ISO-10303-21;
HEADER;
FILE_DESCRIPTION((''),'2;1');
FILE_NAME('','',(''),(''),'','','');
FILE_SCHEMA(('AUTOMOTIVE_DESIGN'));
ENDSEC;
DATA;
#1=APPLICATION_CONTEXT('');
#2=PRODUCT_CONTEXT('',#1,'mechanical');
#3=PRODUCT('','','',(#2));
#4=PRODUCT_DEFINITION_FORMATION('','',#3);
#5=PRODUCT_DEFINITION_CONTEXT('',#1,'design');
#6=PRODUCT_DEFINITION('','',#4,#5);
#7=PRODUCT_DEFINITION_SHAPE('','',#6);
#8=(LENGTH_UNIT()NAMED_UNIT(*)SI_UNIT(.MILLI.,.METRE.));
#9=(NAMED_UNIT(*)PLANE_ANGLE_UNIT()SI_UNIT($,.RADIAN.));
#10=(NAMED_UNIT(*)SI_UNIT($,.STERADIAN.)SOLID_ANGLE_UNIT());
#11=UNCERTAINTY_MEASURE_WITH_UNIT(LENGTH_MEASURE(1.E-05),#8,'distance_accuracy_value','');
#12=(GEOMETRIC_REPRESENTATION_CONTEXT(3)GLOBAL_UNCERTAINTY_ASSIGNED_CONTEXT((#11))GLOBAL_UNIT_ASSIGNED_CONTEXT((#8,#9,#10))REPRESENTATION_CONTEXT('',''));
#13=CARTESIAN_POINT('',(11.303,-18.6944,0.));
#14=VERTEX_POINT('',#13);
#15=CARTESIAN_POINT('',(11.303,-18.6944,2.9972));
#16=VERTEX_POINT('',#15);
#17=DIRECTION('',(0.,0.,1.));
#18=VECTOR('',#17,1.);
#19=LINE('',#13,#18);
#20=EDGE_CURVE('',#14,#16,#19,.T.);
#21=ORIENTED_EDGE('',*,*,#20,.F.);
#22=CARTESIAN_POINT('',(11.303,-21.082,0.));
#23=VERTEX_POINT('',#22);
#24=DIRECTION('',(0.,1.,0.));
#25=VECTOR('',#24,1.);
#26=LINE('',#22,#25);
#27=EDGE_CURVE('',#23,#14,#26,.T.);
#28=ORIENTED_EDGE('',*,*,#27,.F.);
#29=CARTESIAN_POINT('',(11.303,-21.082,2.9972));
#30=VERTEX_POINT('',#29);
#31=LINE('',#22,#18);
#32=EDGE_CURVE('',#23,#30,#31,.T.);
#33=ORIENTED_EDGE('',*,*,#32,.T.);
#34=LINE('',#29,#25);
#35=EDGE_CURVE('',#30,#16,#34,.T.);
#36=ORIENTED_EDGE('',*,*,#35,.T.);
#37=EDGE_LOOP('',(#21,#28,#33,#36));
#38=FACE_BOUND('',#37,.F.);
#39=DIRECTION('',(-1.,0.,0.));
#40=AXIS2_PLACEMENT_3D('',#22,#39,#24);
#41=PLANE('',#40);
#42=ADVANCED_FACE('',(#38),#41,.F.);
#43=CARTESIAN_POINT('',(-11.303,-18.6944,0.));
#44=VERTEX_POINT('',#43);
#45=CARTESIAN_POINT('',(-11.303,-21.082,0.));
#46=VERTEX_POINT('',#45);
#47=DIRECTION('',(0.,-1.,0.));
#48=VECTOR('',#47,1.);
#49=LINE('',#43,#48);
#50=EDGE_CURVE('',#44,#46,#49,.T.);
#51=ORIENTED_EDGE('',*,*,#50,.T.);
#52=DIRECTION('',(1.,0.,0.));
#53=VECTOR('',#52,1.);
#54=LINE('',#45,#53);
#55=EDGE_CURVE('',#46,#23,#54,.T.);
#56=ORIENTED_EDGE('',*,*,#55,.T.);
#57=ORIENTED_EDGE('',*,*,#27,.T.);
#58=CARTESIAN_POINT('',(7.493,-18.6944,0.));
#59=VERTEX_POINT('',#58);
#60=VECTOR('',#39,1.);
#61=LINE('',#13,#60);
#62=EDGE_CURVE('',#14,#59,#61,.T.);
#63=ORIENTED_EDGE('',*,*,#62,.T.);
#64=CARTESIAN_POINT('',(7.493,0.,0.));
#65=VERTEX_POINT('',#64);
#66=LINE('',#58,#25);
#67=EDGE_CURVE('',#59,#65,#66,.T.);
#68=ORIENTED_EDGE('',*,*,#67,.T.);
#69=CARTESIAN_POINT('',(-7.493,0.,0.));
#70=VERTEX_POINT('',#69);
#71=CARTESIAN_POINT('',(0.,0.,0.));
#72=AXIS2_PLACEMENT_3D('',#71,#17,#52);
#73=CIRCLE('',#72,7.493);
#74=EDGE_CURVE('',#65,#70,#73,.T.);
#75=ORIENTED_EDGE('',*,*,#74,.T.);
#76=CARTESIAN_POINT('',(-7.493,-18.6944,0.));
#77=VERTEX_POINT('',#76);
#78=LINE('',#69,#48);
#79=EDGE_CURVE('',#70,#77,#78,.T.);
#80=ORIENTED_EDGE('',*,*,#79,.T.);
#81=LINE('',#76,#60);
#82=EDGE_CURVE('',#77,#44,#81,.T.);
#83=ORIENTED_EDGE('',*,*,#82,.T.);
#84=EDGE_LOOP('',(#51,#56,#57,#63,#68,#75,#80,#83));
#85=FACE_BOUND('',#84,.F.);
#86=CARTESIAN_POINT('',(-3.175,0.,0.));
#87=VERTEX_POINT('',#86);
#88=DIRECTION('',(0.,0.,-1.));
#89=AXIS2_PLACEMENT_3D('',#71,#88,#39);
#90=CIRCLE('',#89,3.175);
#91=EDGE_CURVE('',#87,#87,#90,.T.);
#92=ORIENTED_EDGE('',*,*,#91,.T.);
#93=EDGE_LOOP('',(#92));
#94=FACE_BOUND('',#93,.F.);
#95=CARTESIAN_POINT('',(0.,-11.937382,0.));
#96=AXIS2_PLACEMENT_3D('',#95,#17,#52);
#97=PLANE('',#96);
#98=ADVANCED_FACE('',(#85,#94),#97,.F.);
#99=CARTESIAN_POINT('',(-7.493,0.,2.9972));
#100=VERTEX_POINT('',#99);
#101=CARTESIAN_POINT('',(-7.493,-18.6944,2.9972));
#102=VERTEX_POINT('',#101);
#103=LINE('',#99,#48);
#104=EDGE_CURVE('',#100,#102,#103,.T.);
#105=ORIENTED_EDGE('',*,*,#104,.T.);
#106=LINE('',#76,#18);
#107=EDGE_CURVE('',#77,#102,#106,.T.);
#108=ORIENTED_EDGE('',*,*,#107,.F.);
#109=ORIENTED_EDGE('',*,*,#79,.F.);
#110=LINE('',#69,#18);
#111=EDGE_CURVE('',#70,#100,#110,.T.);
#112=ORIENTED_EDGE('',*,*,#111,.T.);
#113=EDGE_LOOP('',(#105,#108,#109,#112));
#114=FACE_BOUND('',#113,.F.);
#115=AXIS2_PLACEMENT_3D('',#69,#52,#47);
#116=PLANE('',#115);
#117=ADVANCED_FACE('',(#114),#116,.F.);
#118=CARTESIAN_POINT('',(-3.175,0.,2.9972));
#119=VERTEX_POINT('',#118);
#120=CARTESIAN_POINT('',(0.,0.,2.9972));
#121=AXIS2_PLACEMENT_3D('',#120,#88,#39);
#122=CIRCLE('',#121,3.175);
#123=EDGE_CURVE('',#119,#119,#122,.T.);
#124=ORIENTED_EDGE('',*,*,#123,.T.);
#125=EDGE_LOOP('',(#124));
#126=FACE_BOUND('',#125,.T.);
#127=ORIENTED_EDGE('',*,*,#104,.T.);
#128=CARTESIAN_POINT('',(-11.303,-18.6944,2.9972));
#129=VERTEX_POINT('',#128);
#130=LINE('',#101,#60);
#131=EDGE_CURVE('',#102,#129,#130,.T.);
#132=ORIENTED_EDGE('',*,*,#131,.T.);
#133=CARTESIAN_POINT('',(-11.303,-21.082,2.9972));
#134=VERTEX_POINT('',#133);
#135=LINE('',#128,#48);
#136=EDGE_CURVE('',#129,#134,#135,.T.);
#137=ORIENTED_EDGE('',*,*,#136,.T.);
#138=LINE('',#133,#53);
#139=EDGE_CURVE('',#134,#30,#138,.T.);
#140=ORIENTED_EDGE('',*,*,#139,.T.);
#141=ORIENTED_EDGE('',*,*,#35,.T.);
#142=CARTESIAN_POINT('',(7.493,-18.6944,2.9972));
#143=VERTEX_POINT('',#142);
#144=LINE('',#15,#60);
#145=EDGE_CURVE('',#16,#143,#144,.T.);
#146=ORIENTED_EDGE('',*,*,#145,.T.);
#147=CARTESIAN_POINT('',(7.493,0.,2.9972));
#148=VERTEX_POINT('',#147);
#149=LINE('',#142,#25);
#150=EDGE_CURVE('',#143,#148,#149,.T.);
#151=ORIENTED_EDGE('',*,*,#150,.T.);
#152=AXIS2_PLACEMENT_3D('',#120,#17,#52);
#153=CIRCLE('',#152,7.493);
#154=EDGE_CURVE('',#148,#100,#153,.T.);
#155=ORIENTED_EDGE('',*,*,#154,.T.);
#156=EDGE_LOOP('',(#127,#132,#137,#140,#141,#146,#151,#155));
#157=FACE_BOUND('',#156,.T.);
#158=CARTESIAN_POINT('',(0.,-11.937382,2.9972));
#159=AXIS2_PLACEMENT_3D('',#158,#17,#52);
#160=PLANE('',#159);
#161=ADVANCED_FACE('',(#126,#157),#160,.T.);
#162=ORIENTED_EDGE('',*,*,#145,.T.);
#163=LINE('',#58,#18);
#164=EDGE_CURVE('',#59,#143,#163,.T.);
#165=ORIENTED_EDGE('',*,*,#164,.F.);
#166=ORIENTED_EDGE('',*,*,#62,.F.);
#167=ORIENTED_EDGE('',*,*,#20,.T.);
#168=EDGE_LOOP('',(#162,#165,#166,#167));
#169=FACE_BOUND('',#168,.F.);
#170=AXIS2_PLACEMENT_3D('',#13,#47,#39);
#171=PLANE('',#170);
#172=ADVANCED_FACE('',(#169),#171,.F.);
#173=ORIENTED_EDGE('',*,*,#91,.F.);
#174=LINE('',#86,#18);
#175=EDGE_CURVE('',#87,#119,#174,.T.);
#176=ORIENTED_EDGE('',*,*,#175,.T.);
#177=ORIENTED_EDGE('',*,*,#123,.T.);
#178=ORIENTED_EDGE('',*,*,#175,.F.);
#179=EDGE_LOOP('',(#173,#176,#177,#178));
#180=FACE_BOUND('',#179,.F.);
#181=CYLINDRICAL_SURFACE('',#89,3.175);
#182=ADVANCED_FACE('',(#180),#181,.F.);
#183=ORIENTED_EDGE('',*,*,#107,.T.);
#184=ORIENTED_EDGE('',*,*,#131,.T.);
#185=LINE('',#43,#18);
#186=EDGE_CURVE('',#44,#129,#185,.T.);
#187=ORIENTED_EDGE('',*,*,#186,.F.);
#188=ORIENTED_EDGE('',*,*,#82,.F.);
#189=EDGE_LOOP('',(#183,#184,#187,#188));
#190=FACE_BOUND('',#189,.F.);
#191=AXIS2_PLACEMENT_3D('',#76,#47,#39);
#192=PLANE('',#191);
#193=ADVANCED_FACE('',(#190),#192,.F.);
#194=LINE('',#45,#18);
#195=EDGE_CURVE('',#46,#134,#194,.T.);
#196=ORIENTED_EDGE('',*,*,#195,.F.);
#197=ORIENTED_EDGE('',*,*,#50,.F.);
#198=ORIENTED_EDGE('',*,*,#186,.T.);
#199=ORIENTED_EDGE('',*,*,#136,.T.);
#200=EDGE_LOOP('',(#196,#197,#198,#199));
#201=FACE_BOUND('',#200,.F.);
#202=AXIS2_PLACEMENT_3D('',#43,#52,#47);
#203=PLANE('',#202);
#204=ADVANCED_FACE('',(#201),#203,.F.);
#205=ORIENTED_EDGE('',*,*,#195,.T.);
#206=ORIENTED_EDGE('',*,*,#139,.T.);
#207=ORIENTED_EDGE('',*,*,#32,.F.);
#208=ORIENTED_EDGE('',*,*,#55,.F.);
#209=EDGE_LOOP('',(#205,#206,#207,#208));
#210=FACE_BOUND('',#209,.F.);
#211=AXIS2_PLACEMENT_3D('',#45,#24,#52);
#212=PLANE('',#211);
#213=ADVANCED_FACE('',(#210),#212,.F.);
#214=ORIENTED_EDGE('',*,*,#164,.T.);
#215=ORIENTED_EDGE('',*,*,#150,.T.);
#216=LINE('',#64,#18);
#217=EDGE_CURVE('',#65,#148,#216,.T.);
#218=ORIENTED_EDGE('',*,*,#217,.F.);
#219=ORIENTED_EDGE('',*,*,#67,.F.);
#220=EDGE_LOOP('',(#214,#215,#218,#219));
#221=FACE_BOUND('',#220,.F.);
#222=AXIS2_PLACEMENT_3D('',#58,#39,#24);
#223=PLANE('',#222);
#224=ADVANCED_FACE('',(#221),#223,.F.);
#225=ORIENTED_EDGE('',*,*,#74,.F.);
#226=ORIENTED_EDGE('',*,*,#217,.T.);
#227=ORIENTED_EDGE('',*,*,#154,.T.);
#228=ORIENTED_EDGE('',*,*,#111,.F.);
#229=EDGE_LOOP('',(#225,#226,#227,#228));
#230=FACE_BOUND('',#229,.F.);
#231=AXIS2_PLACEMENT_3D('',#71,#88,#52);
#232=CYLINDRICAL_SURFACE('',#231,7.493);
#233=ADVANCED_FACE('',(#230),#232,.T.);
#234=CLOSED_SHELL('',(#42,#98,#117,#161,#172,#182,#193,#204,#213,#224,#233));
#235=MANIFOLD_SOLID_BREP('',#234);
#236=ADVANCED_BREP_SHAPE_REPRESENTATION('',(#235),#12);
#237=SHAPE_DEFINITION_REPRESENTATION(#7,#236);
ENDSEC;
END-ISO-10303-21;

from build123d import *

# Parameters (mm, degrees)
F1_DEPTH = 2.9972


with BuildPart() as f1:
    # F0 (on Top) → F1 (new body)
    with BuildSketch(Plane.XY):
        with BuildLine():
            Line((-3.175, 0), (-7.493, 0))
            Line((-7.493, 0), (-7.493, -18.6944))
            Line((-7.493, -18.6944), (-11.303, -18.6944))
            Line((-11.303, -18.6944), (-11.303, -21.082))
            Line((-11.303, -21.082), (11.303, -21.082))
            Line((11.303, -21.082), (11.303, -18.6944))
            Line((11.303, -18.6944), (7.493, -18.6944))
            Line((7.493, -18.6944), (7.493, 0))
            Line((7.493, 0), (3.175, 0))
            ThreePointArc((3.175, 0), (0, -3.175), (-3.175, 0))
        make_face()
        with BuildLine():
            ThreePointArc((7.493, 0), (0, 7.493), (-7.493, 0))
            Line((-7.493, 0), (-3.175, 0))
            ThreePointArc((-3.175, 0), (0, 3.175), (3.175, 0))
            Line((3.175, 0), (7.493, 0))
        make_face()
    extrude(amount=F1_DEPTH)


solid = f1.part
